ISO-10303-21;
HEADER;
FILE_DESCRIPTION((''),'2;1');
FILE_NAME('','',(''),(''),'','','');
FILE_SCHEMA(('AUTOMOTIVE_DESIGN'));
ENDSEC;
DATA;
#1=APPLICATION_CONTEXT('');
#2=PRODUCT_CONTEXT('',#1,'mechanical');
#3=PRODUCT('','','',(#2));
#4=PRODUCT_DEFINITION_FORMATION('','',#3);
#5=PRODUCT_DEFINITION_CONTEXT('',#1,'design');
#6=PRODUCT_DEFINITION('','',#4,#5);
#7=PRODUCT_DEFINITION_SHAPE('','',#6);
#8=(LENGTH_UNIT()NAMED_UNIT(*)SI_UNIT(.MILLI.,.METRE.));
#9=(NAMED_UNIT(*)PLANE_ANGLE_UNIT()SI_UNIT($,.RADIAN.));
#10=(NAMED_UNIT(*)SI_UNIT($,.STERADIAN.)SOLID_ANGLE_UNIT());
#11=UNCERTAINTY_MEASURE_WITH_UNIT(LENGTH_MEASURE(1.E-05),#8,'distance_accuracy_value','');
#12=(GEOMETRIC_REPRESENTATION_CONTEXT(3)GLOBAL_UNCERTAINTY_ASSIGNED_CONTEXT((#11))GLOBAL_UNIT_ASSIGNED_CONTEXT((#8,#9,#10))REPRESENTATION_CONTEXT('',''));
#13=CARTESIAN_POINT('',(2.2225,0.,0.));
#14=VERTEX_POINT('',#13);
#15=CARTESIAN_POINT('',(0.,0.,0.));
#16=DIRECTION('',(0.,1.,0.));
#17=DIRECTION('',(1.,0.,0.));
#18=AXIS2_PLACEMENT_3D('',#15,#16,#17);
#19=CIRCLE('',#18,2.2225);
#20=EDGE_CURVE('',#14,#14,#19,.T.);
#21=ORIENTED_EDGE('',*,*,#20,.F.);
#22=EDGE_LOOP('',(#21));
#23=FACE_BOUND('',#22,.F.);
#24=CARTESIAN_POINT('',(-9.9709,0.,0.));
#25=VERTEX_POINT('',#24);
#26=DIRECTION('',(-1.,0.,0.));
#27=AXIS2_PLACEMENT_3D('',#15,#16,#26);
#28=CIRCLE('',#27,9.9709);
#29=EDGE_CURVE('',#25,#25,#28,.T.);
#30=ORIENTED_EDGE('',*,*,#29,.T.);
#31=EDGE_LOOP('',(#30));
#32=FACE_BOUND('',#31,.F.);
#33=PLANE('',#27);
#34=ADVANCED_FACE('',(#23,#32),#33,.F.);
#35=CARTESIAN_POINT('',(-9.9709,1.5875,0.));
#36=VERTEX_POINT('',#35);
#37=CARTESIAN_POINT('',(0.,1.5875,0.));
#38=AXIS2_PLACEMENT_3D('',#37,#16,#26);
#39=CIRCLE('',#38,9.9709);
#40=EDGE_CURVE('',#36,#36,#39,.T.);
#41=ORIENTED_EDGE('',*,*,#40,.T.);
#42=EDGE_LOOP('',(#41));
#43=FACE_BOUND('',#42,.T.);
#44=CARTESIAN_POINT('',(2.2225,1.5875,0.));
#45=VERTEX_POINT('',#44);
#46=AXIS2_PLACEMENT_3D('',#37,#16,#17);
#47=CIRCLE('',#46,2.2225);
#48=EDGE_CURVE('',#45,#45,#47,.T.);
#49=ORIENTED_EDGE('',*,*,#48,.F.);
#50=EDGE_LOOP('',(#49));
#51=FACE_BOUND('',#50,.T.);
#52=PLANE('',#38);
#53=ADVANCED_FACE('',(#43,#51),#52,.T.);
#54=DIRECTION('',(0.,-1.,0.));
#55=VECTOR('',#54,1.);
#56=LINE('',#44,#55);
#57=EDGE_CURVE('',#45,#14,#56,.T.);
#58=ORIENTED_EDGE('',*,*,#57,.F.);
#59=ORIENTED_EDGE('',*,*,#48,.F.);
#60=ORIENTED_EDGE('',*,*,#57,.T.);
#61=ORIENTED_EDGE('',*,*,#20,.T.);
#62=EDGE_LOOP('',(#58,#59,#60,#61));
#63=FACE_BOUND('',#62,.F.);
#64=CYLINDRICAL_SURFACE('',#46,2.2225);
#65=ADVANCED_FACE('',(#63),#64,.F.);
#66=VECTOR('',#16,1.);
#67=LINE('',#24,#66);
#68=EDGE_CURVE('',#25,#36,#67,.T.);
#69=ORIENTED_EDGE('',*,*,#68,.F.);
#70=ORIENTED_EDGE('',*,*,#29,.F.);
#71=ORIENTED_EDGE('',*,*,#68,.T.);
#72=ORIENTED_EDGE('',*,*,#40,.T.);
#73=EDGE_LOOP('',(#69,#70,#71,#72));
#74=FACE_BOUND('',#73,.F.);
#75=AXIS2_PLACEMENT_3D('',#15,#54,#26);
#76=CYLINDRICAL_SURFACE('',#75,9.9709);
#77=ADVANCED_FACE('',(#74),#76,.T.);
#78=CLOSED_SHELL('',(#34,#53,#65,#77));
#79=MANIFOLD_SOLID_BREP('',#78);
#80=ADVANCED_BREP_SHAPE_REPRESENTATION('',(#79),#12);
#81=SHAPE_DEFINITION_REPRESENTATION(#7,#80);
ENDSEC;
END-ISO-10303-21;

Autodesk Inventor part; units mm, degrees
ref_plane "YZ Plane" through (0, 0, 0) normal (1, 0, 0) x (0, 1, 0)
ref_plane "XZ Plane" through (0, 0, 0) normal (0, 1, 0) x (-1, 0, 0)
ref_plane "XY Plane" through (0, 0, 0) normal (0, 0, 1) x (1, 0, 0)
sketch "Sketch1" plane through (0, 0, 0) normal (0, 1, 0) x (-1, 0, 0)
  circle A0 centre (0, 0) radius 9.9709
  dimension "d0" = 19.9418
extrude "Extrusion1" add sketch "Sketch1" along normal blind 1.5875
sketch "Sketch2" plane through (0, 1.5875, 0) normal (0, 1, 0) x (1, 0, 0)
  circle A0 centre (0, 0) radius 2.2225
  dimension "d3" = 4.445
extrude "Extrusion2" cut sketch "Sketch2" against normal blind 1.5875
properties part number "Polycarb circle 0.785112029 inch"
